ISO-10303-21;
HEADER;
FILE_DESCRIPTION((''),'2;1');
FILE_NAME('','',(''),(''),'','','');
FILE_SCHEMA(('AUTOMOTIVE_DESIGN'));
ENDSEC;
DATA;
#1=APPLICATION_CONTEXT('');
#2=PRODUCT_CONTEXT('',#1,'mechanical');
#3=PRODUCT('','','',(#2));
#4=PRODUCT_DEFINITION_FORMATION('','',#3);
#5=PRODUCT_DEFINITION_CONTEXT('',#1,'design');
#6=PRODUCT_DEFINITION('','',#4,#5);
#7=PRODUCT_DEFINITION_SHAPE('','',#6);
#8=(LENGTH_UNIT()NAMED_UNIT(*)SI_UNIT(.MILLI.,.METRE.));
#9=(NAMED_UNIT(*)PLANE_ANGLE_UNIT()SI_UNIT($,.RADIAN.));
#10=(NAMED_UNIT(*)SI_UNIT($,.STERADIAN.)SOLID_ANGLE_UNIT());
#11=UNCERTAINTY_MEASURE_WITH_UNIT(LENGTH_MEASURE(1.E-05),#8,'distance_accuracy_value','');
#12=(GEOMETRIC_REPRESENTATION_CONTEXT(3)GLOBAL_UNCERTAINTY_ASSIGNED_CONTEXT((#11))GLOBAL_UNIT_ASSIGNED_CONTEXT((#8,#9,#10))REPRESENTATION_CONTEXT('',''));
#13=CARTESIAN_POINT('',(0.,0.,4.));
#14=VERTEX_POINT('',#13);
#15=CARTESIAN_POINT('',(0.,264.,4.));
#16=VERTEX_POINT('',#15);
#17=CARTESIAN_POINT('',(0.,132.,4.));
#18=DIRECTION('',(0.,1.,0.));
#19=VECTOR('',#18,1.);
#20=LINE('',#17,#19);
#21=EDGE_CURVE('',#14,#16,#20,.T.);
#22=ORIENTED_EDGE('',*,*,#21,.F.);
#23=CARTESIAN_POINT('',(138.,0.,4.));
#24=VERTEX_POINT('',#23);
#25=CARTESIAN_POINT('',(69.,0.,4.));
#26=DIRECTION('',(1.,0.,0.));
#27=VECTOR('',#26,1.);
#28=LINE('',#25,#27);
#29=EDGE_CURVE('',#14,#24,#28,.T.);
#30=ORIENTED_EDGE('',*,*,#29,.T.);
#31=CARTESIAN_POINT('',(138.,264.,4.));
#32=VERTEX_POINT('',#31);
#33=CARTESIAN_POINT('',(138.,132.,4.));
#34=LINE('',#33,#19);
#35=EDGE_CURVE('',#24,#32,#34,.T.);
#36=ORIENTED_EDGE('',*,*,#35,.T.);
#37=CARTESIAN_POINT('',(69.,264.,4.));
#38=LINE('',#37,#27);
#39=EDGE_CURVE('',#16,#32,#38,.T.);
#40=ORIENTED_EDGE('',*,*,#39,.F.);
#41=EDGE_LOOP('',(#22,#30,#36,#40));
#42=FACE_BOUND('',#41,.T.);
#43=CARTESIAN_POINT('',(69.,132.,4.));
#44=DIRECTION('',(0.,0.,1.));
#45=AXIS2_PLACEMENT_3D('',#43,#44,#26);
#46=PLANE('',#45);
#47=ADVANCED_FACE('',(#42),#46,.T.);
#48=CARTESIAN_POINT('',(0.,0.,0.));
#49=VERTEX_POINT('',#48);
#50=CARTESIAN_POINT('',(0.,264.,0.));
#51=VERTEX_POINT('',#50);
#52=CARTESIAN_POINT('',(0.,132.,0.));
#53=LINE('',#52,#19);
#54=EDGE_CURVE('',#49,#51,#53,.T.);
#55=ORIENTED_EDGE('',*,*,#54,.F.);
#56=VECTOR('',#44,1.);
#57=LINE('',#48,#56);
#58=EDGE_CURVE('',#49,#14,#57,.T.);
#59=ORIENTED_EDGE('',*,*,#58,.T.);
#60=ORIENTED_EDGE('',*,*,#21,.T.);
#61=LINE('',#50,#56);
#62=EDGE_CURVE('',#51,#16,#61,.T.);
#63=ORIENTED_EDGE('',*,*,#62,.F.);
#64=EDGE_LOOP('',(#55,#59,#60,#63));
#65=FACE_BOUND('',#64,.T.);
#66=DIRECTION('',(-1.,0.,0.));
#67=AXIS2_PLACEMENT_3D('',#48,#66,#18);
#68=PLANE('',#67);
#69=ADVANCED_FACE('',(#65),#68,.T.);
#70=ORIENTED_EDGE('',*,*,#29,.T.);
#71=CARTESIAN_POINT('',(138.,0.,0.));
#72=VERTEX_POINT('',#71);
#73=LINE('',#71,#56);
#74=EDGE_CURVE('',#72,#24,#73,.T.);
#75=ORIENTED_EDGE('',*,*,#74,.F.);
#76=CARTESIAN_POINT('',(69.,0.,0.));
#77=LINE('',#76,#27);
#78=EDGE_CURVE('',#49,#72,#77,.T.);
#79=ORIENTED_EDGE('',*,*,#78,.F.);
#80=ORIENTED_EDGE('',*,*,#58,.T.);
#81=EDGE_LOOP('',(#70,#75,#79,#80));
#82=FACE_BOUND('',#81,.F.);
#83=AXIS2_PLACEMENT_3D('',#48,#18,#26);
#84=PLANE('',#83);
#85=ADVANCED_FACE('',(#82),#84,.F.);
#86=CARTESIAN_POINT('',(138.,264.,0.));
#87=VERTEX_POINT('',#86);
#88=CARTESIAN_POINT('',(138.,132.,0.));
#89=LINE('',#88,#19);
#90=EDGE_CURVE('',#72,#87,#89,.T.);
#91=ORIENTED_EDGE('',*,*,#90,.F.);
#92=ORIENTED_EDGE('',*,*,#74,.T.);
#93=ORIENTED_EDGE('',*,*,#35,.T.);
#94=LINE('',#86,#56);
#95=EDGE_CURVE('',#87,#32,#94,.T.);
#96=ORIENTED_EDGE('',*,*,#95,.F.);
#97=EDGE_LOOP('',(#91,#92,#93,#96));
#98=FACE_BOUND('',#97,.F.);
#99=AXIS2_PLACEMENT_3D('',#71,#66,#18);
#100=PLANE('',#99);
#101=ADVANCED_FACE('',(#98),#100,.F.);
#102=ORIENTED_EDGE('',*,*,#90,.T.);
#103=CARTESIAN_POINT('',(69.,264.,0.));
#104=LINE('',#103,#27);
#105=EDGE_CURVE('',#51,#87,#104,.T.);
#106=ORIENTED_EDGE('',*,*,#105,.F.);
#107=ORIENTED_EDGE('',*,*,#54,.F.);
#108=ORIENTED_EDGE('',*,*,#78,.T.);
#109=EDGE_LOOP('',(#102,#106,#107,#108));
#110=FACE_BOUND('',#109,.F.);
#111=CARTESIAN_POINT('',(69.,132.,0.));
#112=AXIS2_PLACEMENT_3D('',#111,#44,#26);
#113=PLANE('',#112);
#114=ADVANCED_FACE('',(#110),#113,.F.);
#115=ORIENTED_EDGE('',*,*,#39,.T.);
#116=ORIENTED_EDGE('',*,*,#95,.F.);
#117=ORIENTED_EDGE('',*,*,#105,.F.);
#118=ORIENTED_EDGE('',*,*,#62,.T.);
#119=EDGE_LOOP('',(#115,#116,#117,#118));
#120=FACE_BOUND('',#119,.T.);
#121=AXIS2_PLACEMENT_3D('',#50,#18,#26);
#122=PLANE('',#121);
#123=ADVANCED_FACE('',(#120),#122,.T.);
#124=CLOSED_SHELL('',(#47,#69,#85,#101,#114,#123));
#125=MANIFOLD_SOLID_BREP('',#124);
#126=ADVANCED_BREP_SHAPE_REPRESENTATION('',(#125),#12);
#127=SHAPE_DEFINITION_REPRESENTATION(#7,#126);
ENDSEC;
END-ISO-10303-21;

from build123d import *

# Parameters (mm, degrees)
SKETCH_W  = 138
SKETCH_H  = 264
PAD_DEPTH = 4


with BuildPart() as part:
    # Sketch → Pad (new body)
    with BuildSketch(Plane.XY):
        with Locations((69, 132)):
            Rectangle(SKETCH_W, SKETCH_H)
    extrude(amount=PAD_DEPTH)


solid = part.part
